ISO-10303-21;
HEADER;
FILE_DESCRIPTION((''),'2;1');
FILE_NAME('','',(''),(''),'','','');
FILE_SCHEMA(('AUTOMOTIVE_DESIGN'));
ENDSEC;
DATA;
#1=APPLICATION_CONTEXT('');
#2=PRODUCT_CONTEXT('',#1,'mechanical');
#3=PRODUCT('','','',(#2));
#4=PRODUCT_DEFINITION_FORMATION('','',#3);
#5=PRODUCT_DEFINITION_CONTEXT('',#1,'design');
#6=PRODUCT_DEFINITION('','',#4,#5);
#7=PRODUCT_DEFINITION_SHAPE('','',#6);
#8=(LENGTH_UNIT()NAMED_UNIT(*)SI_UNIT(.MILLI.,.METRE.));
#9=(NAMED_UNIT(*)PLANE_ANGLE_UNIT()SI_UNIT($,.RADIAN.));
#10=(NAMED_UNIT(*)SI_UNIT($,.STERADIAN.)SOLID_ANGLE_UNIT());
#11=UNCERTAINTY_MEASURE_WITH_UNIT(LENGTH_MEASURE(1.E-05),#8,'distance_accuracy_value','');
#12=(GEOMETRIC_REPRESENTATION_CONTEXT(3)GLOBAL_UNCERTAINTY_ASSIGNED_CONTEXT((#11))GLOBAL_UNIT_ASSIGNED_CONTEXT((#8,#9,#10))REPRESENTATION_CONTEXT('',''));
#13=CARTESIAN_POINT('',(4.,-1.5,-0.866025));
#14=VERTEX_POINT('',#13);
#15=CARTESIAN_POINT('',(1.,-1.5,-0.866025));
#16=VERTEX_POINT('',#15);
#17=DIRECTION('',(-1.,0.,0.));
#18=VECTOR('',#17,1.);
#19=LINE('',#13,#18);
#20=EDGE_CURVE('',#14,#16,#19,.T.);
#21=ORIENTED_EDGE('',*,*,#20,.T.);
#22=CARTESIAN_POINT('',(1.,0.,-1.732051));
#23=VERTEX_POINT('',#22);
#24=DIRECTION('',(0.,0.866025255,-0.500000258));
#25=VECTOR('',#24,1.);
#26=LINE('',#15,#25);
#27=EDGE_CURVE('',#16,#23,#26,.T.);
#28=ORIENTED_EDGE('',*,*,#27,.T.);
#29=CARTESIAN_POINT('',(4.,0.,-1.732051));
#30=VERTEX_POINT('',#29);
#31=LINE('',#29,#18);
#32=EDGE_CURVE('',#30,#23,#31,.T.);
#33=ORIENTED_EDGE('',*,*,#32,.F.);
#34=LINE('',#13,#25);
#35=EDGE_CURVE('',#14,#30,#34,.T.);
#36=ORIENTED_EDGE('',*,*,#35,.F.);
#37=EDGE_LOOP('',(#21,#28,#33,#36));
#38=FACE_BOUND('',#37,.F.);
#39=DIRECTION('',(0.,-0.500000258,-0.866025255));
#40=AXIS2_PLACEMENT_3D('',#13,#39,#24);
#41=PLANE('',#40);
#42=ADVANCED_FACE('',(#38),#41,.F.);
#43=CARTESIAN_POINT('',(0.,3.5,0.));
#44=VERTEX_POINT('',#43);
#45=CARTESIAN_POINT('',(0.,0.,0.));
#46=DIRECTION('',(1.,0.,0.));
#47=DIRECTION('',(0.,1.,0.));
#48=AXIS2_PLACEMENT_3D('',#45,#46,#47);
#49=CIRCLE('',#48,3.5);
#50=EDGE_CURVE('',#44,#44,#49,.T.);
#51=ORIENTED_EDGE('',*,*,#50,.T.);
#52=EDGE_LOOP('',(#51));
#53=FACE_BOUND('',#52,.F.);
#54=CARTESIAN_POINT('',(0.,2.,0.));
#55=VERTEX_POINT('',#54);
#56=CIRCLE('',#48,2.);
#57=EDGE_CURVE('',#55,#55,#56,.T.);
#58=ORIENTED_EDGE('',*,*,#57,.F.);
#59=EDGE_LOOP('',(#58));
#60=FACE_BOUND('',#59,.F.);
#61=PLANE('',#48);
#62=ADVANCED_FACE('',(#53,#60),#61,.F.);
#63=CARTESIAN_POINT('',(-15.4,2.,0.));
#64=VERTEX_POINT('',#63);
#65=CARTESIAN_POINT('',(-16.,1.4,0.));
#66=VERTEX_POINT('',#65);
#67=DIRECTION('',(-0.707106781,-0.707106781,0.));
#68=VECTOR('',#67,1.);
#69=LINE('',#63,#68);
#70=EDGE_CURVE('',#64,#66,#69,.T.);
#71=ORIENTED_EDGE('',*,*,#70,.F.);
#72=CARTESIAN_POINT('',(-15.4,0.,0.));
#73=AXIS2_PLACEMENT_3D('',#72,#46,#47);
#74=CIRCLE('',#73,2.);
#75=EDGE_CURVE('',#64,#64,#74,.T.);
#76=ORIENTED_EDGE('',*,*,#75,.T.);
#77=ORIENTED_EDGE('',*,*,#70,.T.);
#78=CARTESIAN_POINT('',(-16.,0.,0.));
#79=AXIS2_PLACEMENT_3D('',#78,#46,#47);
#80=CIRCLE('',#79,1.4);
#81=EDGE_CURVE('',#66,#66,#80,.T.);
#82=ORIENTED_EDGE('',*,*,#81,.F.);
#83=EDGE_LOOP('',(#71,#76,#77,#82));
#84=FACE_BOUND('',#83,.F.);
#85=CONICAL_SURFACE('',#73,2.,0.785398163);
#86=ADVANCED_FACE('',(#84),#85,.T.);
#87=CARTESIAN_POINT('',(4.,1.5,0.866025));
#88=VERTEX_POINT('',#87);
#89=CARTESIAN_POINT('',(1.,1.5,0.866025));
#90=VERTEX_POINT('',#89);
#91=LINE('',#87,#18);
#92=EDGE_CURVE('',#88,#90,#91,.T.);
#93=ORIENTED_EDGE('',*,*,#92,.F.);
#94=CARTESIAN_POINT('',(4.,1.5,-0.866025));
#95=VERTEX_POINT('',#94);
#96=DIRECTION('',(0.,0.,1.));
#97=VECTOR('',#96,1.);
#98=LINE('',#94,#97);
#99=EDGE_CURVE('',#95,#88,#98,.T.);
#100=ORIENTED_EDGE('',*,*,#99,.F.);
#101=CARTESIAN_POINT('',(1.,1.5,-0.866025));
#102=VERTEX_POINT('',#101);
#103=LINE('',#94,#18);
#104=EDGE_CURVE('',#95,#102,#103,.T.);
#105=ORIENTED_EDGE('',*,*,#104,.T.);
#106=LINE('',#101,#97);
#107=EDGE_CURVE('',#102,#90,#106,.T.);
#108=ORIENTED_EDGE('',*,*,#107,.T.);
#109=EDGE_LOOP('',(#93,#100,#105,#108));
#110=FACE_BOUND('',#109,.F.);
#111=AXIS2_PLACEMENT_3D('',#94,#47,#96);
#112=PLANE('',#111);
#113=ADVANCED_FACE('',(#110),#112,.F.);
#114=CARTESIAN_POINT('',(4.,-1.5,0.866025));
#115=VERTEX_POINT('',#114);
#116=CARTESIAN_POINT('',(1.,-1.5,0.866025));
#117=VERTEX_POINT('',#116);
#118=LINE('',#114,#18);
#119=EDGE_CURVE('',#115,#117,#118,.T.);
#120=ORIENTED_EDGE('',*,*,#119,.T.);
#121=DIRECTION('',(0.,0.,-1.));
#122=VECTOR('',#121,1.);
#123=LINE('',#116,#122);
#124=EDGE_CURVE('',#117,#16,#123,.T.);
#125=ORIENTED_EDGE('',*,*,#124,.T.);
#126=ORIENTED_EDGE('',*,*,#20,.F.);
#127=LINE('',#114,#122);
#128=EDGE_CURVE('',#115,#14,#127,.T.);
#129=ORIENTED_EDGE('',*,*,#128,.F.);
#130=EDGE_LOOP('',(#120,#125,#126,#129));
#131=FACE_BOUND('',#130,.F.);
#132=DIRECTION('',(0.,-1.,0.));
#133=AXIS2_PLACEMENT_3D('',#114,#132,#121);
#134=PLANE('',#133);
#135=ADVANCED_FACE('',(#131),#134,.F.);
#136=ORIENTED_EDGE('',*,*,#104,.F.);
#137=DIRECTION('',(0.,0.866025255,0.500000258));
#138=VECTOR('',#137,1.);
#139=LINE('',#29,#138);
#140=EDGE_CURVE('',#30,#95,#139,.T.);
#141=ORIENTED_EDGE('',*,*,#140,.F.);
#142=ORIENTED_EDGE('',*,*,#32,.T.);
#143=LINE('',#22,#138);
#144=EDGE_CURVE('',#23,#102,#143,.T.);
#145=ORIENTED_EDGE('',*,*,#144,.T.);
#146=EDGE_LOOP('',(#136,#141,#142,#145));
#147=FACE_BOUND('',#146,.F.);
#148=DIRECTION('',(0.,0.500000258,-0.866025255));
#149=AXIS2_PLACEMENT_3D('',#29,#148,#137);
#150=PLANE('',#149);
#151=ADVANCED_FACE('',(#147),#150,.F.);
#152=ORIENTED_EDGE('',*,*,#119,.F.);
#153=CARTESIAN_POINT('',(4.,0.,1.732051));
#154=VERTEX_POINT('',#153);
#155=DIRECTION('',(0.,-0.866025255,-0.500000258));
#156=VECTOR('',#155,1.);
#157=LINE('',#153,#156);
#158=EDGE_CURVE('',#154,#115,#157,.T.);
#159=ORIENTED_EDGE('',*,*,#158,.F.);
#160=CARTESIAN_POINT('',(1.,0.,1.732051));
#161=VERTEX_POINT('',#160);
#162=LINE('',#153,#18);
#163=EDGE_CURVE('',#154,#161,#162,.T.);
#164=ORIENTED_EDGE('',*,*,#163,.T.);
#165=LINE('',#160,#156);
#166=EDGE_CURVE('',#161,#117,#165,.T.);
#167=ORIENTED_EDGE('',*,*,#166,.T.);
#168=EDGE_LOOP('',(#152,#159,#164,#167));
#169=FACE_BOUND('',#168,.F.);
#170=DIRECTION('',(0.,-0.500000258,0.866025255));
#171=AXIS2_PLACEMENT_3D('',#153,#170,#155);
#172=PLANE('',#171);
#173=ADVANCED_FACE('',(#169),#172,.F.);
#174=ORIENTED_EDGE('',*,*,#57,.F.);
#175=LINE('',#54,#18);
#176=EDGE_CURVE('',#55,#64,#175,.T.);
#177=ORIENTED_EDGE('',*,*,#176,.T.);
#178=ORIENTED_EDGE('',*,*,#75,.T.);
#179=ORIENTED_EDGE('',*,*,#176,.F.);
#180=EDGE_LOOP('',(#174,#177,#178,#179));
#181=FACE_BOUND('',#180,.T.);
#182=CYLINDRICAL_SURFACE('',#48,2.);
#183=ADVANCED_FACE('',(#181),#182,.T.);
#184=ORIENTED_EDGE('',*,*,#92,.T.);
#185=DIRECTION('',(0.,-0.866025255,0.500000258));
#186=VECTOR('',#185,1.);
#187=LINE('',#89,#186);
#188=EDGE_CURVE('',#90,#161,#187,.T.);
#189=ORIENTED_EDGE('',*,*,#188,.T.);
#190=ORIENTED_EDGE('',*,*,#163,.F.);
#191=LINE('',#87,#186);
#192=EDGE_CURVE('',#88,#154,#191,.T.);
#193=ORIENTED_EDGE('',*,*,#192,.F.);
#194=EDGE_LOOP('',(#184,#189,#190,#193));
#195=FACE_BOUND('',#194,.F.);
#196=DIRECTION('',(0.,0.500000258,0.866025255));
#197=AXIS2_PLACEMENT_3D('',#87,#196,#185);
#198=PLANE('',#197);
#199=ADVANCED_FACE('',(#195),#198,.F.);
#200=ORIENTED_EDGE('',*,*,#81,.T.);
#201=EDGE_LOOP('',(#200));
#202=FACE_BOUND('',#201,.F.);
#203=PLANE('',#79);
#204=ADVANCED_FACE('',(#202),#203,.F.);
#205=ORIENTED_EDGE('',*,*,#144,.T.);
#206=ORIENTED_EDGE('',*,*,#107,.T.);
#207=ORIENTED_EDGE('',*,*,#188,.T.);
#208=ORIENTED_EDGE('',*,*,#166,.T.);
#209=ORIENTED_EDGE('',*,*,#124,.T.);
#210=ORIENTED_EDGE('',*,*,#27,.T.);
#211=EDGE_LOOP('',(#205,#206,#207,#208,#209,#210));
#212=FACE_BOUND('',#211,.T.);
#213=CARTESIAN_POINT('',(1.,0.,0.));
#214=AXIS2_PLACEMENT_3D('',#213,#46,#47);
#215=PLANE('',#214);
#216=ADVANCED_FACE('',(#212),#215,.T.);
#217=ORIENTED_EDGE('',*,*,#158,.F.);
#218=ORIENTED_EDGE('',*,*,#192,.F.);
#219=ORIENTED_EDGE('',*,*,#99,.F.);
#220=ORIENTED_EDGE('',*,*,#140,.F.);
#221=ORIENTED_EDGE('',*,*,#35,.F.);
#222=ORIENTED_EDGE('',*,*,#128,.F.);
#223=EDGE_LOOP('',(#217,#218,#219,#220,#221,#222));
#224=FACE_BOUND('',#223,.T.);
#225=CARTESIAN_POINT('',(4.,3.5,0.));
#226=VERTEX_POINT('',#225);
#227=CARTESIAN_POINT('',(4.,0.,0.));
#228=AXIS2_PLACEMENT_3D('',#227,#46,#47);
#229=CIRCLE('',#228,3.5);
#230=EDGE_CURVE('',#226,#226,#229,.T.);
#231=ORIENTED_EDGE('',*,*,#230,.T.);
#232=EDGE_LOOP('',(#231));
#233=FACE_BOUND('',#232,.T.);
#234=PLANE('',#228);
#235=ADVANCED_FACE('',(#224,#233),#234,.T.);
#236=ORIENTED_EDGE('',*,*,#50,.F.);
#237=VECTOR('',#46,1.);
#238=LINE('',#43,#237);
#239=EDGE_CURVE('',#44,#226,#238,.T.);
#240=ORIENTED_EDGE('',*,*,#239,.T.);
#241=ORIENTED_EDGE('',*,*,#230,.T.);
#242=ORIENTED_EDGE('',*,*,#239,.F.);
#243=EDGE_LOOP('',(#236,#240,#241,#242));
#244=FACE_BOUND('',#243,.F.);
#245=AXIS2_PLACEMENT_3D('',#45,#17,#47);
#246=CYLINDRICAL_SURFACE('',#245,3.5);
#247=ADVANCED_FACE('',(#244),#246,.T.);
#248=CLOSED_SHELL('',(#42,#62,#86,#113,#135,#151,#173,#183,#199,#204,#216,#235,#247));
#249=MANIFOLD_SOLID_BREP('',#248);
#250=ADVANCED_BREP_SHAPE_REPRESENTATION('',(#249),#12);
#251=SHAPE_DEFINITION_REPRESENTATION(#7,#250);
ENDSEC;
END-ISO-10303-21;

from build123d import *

# Parameters (mm, degrees)
F0_R     = 2
F1_DEPTH = 16
F2_R     = 3.5
F3_DEPTH = 4
F5_DEPTH = 3
F6_SIZE  = 0.6


with BuildPart() as f1:
    # F0 (on Right) → F1 (new body)
    with BuildSketch(Plane.YZ):
        Circle(F0_R)
    extrude(amount=-F1_DEPTH)

    # F2 (on face) → F3 (join)
    with BuildSketch(Plane.YZ):
        Circle(F2_R)
    extrude(amount=F3_DEPTH)

    # F4 (on face) → F5 (cut)
    with BuildSketch(Plane.YZ.offset(4)):
        Polygon((1.5, 0.866025), (0, 1.732051), (-1.5, 0.866025), (-1.5, -0.866025), (0, -1.732051), (1.5, -0.866025), align=None)
    extrude(amount=-F5_DEPTH, mode=Mode.SUBTRACT)

    # F6
    f6_edges = [f1.edges().sort_by_distance(p)[0] for p in [
        (-16, -2, 0),
    ]]
    chamfer(f6_edges, length=F6_SIZE)


solid = f1.part
